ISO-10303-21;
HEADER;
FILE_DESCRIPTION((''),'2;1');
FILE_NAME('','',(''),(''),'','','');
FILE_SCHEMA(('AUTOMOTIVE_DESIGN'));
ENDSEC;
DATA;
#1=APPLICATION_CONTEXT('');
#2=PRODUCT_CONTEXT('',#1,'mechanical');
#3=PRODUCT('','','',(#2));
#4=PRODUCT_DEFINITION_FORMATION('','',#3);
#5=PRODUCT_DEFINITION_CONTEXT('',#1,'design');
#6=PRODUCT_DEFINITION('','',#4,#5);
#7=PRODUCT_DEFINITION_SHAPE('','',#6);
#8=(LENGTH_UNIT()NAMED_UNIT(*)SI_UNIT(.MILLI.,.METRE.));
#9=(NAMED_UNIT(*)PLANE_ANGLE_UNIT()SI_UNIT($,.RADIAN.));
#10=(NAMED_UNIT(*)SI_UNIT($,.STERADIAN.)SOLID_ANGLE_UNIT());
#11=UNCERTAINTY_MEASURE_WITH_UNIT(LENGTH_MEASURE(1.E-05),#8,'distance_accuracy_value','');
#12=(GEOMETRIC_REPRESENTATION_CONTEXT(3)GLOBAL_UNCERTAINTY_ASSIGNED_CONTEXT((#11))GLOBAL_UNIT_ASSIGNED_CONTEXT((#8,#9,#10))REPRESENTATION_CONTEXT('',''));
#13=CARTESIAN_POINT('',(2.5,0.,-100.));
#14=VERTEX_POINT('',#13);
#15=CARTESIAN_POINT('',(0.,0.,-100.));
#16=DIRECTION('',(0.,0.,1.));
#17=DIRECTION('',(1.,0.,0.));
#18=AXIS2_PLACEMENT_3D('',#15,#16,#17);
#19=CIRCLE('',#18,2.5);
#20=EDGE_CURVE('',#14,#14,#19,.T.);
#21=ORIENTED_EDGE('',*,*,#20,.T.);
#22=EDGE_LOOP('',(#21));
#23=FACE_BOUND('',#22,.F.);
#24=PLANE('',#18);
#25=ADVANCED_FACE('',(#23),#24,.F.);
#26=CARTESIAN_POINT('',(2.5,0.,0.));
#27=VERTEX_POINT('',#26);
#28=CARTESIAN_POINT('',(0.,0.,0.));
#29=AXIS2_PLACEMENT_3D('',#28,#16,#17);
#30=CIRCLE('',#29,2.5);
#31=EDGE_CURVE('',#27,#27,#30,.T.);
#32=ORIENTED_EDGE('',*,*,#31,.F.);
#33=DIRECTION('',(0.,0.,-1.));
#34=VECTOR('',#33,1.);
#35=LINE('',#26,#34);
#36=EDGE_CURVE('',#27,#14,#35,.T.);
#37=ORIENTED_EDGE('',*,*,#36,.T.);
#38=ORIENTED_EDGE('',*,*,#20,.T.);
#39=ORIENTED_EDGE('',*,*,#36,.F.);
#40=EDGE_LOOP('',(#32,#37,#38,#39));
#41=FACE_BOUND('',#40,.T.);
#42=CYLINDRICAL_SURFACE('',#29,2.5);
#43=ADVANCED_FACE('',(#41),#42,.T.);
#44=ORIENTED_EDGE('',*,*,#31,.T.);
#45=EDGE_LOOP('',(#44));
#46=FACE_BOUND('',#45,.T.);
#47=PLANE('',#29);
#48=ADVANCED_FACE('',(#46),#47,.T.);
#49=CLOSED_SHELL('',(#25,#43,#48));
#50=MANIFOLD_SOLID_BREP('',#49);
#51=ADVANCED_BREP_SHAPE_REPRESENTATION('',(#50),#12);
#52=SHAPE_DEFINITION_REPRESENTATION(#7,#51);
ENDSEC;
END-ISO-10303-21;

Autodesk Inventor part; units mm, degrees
ref_plane "YZ Plane" through (0, 0, 0) normal (1, 0, 0) x (0, 1, 0)
ref_plane "XZ Plane" through (0, 0, 0) normal (0, 1, 0) x (-1, 0, 0)
ref_plane "XY Plane" through (0, 0, 0) normal (0, 0, 1) x (1, 0, 0)
sketch "Sketch1" plane through (0, 0, 0) normal (0, 0, 1) x (1, 0, 0)
  circle A0 centre (0, 0) radius 2.5
  dimension "d0" = 5
extrude "Extrusion1" add sketch "Sketch1" against normal blind 100
properties part number "5mmShaft"
